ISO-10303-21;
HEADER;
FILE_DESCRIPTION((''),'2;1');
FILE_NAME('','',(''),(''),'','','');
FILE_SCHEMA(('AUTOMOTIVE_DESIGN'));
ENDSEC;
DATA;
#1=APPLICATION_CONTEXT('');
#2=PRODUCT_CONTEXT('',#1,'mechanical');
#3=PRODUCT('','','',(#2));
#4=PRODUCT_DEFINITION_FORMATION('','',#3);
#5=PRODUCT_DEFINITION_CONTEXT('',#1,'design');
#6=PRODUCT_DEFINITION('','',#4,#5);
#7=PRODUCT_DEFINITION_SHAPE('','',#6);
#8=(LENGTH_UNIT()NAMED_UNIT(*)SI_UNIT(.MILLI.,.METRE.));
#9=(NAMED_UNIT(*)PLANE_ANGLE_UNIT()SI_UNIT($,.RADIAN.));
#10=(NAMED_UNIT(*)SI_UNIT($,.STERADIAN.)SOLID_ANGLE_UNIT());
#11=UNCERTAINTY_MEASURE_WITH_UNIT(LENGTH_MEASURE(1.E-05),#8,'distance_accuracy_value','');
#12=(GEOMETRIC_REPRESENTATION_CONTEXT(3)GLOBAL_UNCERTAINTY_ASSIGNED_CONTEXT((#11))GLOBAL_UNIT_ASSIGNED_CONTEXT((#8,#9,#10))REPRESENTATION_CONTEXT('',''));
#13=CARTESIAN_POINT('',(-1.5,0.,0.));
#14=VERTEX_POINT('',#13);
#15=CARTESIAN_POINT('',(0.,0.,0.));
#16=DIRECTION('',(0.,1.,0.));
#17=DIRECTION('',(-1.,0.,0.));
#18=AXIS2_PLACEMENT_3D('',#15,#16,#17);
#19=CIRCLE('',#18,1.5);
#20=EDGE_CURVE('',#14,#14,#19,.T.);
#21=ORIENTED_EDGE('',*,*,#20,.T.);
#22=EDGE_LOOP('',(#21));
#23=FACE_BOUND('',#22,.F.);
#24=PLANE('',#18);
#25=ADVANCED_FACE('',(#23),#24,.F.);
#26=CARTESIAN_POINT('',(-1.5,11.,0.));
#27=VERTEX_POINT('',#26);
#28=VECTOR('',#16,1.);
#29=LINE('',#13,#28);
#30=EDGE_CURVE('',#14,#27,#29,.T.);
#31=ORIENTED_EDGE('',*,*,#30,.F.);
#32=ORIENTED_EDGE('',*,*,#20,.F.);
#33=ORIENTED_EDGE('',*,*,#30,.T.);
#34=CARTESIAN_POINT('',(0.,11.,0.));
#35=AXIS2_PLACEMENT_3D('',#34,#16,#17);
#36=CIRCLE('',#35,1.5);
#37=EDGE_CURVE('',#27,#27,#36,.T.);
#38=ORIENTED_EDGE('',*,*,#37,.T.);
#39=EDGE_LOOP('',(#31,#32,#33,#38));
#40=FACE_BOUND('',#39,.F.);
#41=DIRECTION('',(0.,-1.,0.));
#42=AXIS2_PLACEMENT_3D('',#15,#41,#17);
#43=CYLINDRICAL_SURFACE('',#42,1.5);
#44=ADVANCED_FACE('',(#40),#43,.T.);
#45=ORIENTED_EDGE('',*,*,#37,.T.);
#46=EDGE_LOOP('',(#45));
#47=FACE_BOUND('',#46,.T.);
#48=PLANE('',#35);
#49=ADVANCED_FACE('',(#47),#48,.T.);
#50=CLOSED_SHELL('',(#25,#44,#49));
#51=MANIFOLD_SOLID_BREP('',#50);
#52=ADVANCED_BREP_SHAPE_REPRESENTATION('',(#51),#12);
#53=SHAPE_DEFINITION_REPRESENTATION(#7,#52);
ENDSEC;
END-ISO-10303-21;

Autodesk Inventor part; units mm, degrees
ref_plane "YZ Plane" through (0, 0, 0) normal (1, 0, 0) x (0, 1, 0)
ref_plane "XZ Plane" through (0, 0, 0) normal (0, 1, 0) x (-1, 0, 0)
ref_plane "XY Plane" through (0, 0, 0) normal (0, 0, 1) x (1, 0, 0)
sketch "Sketch1" plane through (0, 0, 0) normal (0, 1, 0) x (-1, 0, 0)
  circle A0 centre (0, 0) radius 1.5
  dimension "d0" = 3
extrude "Extrusion1" add sketch "Sketch1" along normal blind 11
properties part number "Green" material "Glass"
